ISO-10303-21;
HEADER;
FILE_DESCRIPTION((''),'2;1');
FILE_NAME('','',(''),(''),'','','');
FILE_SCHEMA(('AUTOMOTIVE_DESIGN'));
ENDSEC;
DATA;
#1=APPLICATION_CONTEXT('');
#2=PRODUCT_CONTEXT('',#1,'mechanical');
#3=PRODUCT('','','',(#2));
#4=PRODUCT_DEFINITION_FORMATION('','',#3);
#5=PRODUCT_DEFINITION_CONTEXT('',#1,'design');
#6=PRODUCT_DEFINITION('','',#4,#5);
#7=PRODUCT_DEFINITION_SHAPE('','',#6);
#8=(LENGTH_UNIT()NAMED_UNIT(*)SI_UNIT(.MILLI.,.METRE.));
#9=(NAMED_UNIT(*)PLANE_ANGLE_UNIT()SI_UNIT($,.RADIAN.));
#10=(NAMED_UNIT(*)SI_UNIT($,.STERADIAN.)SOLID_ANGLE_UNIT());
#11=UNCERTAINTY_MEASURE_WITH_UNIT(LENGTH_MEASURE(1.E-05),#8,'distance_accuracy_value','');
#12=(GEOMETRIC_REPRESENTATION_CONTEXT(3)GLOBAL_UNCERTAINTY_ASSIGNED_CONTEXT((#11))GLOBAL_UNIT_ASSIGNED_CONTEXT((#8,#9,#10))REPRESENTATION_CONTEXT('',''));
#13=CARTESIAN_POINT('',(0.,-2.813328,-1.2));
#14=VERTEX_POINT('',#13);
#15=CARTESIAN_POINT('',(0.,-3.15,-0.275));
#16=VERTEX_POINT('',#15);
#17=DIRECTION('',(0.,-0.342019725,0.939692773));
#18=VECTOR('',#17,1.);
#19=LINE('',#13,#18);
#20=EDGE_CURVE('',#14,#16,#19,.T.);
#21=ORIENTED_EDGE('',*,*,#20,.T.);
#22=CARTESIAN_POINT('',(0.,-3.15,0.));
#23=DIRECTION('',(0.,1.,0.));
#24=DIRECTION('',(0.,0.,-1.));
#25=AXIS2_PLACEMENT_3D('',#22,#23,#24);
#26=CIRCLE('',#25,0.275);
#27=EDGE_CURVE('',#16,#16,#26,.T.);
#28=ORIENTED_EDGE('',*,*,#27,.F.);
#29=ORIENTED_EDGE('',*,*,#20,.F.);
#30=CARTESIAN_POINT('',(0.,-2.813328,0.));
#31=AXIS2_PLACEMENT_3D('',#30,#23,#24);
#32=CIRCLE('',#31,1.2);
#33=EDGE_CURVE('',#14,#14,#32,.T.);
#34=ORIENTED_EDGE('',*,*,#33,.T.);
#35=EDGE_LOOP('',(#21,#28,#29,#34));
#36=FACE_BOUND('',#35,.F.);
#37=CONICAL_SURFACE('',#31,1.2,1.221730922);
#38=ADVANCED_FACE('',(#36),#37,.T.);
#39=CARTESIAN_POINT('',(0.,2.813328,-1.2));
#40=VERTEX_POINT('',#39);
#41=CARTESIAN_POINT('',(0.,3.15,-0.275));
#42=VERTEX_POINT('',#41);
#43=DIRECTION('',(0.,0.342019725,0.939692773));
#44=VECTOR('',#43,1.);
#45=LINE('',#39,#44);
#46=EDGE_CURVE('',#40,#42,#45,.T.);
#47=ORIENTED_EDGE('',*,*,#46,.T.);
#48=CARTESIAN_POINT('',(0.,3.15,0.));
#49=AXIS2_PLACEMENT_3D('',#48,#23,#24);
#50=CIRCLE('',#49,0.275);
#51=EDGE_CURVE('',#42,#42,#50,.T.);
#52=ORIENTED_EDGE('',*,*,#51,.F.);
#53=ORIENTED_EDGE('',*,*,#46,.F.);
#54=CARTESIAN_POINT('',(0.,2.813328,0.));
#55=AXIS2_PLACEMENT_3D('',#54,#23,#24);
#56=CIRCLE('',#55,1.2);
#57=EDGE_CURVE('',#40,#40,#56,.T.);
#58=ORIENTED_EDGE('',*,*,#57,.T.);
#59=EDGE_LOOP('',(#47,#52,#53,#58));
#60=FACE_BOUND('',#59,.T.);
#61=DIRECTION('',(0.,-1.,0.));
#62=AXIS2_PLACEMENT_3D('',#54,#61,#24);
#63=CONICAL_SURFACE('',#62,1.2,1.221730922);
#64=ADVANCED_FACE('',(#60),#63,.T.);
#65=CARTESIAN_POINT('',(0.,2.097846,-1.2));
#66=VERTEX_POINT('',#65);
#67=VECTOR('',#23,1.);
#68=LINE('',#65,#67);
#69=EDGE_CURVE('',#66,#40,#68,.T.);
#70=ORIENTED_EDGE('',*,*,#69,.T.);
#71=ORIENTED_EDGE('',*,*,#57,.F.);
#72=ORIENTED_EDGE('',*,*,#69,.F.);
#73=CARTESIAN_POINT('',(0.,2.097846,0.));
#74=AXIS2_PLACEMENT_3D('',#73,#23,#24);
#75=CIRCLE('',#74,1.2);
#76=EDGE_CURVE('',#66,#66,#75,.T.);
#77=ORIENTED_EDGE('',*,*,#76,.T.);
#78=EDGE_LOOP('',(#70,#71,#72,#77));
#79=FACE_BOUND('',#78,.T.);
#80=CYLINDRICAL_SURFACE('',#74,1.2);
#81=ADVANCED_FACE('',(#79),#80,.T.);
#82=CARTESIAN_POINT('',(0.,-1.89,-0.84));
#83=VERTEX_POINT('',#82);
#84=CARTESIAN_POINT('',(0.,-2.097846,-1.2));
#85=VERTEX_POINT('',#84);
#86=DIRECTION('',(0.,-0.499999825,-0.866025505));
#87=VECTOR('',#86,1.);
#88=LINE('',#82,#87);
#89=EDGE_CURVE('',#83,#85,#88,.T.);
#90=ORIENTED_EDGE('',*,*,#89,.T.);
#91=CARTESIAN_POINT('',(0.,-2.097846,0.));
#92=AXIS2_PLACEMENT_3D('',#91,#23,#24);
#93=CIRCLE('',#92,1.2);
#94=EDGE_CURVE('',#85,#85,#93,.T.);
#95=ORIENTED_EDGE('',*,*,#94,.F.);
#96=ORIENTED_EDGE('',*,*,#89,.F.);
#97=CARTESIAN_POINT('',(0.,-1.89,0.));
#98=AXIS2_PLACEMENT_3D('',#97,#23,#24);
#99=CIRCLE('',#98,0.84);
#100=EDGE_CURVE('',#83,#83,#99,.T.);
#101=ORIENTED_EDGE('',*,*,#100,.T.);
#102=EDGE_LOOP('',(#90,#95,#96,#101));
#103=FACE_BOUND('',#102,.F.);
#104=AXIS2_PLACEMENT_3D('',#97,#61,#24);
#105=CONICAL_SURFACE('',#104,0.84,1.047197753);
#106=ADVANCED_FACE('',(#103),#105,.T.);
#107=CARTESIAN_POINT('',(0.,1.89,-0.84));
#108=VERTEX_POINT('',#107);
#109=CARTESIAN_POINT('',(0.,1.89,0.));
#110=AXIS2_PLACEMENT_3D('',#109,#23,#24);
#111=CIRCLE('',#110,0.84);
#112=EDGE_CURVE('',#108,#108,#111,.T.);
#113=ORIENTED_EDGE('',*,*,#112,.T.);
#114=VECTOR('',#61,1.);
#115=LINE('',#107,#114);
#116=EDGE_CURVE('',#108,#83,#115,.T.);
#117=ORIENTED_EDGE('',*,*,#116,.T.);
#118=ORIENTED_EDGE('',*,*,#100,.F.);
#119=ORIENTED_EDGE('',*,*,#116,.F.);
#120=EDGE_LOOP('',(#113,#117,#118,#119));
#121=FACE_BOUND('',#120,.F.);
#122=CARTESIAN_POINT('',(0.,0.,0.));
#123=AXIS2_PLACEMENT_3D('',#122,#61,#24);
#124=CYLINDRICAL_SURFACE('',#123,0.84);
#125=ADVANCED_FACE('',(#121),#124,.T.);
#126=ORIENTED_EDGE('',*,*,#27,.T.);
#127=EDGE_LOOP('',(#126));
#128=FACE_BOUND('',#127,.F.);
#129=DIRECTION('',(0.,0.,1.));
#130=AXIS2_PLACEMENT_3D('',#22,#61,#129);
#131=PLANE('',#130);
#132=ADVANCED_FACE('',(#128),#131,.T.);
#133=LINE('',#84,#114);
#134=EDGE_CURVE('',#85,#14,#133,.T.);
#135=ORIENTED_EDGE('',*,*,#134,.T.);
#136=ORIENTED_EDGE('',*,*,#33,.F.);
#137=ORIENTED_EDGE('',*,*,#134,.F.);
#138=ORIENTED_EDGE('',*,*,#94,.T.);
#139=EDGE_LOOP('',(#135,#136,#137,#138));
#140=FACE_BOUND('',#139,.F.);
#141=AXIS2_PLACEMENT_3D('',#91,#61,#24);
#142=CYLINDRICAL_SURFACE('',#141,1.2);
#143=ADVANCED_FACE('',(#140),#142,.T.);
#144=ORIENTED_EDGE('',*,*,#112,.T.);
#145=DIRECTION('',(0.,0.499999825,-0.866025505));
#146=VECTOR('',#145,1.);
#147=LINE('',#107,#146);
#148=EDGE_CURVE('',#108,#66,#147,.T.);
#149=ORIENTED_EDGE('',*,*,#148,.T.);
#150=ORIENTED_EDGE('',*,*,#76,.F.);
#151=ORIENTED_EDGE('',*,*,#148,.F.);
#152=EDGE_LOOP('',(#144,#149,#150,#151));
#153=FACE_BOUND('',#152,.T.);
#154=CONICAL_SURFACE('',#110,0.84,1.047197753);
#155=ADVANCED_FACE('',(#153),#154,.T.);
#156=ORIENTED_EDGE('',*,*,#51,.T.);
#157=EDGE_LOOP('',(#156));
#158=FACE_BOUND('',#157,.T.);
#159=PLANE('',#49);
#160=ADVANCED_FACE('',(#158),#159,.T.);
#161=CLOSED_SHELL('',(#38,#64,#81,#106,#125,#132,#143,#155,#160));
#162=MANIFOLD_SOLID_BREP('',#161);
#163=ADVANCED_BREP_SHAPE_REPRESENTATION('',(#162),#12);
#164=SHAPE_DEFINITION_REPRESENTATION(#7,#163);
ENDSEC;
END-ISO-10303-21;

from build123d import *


with BuildPart() as part:
    # Sketch → Revolution (revolve)
    with BuildSketch(Plane(origin=(0, 0, 0), x_dir=(0, -1, 0), z_dir=(1, 0, 0))):
        Polygon((0, 0.84), (-1.89, 0.84), (-2.097846, 1.2), (-2.813328, 1.2), (-3.15, 0.275), (-3.15, 0), (0, 0), align=None)
    revolution = revolve(axis=Axis((0, 0, 0), (0, 1, 0)))

    # Mirrored: Revolution across Sketch V_Axis
    add(revolution.mirror(Plane.XZ))


solid = part.part
